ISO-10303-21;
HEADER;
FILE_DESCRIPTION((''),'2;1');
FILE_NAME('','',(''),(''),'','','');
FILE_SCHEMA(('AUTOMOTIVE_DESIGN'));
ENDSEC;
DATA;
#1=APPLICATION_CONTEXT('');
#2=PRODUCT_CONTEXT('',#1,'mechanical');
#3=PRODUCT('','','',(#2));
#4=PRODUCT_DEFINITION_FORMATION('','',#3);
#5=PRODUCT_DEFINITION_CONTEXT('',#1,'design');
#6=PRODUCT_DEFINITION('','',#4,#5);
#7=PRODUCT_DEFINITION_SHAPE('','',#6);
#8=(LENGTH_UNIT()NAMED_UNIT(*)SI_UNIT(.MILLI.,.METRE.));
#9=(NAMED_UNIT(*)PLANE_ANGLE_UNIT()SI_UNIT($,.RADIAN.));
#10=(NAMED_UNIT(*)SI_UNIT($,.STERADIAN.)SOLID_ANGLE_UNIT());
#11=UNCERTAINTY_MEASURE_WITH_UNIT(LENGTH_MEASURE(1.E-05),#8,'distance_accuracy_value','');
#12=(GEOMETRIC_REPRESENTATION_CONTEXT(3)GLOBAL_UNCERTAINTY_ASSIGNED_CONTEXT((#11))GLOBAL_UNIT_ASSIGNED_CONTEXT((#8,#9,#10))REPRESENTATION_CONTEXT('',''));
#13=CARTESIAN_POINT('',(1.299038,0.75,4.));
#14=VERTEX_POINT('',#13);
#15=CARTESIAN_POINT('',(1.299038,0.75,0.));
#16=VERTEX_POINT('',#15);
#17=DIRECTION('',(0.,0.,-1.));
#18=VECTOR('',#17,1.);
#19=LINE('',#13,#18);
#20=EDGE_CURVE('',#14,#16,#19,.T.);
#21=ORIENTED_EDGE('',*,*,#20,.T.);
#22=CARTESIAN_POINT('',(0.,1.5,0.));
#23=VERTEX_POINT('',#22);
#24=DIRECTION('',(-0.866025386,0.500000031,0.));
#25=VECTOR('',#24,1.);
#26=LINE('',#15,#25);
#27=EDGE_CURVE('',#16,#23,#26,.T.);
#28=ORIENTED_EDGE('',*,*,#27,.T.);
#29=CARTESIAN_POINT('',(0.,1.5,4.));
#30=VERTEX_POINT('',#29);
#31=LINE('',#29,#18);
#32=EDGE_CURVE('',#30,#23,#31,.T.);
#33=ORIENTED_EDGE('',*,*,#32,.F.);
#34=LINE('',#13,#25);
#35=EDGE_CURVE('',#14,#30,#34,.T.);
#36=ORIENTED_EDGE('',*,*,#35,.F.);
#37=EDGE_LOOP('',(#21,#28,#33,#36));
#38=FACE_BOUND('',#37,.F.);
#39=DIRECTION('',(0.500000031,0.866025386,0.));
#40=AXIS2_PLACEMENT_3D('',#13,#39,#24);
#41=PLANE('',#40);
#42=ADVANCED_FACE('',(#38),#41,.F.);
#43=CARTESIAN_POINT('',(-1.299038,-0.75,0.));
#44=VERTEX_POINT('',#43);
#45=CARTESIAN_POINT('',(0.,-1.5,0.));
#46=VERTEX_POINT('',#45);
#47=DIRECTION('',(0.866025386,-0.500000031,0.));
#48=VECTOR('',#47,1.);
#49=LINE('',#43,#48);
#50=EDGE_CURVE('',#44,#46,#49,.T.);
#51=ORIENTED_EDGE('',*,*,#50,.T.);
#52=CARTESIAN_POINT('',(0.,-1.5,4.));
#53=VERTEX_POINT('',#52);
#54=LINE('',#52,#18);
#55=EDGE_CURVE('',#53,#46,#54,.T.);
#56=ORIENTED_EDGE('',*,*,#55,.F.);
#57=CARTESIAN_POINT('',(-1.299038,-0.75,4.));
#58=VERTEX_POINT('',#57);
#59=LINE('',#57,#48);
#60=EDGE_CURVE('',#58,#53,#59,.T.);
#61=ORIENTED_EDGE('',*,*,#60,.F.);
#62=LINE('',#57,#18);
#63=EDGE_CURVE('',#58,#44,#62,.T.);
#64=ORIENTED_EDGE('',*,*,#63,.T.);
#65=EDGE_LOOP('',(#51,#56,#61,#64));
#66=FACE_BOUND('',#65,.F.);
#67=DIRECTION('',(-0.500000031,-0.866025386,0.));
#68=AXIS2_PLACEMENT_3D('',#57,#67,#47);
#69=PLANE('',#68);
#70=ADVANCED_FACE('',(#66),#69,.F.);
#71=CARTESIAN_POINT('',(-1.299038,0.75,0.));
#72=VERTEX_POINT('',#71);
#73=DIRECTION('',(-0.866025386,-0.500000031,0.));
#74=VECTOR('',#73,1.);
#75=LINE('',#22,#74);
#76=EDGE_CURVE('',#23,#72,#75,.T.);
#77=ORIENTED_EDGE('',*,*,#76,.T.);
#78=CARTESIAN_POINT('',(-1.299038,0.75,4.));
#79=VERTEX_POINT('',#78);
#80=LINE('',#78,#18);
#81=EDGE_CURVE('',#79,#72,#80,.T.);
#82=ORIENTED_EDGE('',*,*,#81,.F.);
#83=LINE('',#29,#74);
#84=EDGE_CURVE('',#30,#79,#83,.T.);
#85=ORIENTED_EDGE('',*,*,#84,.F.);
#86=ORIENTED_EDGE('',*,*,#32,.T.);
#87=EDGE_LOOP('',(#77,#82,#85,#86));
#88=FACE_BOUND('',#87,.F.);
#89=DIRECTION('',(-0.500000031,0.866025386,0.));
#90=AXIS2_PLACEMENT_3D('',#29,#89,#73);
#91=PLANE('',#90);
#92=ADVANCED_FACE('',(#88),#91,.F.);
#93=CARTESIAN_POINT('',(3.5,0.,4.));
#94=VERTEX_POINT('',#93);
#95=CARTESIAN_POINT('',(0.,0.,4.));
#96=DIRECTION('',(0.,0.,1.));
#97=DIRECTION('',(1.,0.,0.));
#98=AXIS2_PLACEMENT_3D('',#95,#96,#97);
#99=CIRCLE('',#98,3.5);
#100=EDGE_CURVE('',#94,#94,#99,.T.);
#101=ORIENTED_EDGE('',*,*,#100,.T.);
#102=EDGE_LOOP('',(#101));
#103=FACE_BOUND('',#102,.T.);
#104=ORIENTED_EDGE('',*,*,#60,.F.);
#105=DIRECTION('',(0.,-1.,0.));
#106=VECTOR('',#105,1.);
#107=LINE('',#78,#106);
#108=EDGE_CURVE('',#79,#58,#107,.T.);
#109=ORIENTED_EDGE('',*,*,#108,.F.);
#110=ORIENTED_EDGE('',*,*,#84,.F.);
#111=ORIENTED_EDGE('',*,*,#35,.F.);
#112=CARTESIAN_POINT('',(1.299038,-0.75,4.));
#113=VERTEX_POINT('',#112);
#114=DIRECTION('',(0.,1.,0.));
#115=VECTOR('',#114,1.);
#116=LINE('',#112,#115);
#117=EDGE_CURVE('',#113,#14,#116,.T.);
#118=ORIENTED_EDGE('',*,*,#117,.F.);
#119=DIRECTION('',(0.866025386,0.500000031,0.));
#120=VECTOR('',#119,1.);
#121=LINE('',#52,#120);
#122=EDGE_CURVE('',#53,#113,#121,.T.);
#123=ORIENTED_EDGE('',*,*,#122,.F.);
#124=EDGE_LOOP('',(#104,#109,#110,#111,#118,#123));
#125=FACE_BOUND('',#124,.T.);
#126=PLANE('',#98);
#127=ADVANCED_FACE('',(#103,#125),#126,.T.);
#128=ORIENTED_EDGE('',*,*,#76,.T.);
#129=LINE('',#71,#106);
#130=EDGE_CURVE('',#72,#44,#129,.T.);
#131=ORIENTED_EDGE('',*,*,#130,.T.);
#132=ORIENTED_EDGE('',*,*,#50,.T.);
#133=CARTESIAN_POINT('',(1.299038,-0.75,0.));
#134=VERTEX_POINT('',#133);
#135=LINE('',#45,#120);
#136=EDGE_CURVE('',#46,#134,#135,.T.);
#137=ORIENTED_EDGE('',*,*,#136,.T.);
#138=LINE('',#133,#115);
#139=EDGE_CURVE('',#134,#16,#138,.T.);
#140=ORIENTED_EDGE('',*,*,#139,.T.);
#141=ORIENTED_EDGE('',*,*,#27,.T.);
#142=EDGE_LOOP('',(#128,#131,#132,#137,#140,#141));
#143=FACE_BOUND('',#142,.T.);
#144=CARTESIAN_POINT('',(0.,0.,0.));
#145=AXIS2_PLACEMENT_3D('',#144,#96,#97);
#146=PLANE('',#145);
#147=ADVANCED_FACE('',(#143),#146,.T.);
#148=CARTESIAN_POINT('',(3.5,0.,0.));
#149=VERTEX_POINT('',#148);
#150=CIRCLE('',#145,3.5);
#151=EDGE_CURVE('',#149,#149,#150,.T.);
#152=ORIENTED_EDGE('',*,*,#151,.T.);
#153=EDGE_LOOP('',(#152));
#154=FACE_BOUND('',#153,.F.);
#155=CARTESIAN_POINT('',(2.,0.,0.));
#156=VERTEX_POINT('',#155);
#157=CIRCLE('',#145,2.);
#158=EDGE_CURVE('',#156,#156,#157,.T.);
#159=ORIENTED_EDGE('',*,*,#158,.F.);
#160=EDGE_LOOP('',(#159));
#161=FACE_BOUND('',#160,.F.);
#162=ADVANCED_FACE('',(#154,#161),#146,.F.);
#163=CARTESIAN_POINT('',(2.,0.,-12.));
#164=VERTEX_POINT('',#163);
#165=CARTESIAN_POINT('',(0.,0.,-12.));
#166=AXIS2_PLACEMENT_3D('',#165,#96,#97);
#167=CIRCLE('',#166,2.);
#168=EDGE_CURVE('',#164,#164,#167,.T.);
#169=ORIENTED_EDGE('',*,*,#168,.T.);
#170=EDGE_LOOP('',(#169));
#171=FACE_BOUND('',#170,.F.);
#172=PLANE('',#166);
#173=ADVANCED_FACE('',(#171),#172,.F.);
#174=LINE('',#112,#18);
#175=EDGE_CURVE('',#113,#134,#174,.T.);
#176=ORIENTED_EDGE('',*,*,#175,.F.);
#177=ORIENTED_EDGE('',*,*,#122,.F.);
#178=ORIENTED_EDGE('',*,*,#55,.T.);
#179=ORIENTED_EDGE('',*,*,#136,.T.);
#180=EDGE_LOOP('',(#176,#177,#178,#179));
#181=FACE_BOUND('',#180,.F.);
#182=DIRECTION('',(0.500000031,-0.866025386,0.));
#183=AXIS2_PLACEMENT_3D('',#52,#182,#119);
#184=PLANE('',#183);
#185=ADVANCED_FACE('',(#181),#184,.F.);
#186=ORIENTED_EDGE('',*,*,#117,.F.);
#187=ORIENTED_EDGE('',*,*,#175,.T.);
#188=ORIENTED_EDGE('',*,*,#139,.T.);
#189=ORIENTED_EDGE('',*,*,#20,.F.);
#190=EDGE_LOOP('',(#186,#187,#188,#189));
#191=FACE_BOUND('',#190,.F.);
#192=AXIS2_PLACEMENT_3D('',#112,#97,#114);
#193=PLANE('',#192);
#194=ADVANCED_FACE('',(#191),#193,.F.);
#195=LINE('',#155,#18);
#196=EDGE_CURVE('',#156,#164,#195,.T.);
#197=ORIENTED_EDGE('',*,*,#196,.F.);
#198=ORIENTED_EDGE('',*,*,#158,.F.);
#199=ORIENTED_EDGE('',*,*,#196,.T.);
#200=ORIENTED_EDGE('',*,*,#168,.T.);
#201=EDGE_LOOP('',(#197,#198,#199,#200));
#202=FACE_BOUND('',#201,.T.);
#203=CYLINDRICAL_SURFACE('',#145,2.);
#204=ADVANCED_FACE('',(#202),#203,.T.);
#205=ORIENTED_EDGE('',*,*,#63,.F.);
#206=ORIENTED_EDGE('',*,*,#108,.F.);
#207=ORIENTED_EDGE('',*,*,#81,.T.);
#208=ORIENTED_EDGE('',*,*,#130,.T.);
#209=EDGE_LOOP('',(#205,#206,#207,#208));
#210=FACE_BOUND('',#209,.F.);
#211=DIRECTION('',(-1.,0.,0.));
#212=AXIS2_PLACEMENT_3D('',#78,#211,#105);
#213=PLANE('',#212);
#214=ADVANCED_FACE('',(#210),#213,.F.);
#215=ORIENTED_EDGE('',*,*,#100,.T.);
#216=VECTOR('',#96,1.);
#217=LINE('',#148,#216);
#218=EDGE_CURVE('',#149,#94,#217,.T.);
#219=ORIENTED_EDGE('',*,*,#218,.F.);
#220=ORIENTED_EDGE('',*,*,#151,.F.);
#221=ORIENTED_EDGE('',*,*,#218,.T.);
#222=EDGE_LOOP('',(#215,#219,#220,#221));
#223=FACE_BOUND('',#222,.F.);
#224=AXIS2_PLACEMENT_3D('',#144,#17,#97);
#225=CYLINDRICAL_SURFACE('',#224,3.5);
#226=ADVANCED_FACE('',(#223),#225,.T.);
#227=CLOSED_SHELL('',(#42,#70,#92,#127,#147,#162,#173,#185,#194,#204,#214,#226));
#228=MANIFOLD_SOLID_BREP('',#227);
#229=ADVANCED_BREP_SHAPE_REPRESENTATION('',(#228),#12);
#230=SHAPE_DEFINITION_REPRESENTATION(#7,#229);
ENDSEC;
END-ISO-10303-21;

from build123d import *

# Parameters (mm, degrees)
F0_R     = 3.5
F0_R_2   = 2
F1_DEPTH = 4
F2_DEPTH = 12
F4_DEPTH = 4


with BuildPart() as f1:
    # F0 (on Top) → F1 (new body)
    with BuildSketch(Plane.XY):
        Circle(F0_R)
        Circle(F0_R_2, mode=Mode.SUBTRACT)
        Circle(F0_R_2)
    extrude(amount=F1_DEPTH)

    # F0 (on Top) → F2 (join)
    with BuildSketch(Plane.XY):
        Circle(F0_R_2)
    extrude(amount=-F2_DEPTH)

    # F3 (on face) → F4 (cut, through all)
    with BuildSketch(Plane.XY.offset(4)):
        Polygon((-1.299038, -0.75), (0, -1.5), (1.299038, -0.75), (1.299038, 0.75), (0, 1.5), (-1.299038, 0.75), align=None)
    extrude(amount=-F4_DEPTH, mode=Mode.SUBTRACT)


solid = f1.part
